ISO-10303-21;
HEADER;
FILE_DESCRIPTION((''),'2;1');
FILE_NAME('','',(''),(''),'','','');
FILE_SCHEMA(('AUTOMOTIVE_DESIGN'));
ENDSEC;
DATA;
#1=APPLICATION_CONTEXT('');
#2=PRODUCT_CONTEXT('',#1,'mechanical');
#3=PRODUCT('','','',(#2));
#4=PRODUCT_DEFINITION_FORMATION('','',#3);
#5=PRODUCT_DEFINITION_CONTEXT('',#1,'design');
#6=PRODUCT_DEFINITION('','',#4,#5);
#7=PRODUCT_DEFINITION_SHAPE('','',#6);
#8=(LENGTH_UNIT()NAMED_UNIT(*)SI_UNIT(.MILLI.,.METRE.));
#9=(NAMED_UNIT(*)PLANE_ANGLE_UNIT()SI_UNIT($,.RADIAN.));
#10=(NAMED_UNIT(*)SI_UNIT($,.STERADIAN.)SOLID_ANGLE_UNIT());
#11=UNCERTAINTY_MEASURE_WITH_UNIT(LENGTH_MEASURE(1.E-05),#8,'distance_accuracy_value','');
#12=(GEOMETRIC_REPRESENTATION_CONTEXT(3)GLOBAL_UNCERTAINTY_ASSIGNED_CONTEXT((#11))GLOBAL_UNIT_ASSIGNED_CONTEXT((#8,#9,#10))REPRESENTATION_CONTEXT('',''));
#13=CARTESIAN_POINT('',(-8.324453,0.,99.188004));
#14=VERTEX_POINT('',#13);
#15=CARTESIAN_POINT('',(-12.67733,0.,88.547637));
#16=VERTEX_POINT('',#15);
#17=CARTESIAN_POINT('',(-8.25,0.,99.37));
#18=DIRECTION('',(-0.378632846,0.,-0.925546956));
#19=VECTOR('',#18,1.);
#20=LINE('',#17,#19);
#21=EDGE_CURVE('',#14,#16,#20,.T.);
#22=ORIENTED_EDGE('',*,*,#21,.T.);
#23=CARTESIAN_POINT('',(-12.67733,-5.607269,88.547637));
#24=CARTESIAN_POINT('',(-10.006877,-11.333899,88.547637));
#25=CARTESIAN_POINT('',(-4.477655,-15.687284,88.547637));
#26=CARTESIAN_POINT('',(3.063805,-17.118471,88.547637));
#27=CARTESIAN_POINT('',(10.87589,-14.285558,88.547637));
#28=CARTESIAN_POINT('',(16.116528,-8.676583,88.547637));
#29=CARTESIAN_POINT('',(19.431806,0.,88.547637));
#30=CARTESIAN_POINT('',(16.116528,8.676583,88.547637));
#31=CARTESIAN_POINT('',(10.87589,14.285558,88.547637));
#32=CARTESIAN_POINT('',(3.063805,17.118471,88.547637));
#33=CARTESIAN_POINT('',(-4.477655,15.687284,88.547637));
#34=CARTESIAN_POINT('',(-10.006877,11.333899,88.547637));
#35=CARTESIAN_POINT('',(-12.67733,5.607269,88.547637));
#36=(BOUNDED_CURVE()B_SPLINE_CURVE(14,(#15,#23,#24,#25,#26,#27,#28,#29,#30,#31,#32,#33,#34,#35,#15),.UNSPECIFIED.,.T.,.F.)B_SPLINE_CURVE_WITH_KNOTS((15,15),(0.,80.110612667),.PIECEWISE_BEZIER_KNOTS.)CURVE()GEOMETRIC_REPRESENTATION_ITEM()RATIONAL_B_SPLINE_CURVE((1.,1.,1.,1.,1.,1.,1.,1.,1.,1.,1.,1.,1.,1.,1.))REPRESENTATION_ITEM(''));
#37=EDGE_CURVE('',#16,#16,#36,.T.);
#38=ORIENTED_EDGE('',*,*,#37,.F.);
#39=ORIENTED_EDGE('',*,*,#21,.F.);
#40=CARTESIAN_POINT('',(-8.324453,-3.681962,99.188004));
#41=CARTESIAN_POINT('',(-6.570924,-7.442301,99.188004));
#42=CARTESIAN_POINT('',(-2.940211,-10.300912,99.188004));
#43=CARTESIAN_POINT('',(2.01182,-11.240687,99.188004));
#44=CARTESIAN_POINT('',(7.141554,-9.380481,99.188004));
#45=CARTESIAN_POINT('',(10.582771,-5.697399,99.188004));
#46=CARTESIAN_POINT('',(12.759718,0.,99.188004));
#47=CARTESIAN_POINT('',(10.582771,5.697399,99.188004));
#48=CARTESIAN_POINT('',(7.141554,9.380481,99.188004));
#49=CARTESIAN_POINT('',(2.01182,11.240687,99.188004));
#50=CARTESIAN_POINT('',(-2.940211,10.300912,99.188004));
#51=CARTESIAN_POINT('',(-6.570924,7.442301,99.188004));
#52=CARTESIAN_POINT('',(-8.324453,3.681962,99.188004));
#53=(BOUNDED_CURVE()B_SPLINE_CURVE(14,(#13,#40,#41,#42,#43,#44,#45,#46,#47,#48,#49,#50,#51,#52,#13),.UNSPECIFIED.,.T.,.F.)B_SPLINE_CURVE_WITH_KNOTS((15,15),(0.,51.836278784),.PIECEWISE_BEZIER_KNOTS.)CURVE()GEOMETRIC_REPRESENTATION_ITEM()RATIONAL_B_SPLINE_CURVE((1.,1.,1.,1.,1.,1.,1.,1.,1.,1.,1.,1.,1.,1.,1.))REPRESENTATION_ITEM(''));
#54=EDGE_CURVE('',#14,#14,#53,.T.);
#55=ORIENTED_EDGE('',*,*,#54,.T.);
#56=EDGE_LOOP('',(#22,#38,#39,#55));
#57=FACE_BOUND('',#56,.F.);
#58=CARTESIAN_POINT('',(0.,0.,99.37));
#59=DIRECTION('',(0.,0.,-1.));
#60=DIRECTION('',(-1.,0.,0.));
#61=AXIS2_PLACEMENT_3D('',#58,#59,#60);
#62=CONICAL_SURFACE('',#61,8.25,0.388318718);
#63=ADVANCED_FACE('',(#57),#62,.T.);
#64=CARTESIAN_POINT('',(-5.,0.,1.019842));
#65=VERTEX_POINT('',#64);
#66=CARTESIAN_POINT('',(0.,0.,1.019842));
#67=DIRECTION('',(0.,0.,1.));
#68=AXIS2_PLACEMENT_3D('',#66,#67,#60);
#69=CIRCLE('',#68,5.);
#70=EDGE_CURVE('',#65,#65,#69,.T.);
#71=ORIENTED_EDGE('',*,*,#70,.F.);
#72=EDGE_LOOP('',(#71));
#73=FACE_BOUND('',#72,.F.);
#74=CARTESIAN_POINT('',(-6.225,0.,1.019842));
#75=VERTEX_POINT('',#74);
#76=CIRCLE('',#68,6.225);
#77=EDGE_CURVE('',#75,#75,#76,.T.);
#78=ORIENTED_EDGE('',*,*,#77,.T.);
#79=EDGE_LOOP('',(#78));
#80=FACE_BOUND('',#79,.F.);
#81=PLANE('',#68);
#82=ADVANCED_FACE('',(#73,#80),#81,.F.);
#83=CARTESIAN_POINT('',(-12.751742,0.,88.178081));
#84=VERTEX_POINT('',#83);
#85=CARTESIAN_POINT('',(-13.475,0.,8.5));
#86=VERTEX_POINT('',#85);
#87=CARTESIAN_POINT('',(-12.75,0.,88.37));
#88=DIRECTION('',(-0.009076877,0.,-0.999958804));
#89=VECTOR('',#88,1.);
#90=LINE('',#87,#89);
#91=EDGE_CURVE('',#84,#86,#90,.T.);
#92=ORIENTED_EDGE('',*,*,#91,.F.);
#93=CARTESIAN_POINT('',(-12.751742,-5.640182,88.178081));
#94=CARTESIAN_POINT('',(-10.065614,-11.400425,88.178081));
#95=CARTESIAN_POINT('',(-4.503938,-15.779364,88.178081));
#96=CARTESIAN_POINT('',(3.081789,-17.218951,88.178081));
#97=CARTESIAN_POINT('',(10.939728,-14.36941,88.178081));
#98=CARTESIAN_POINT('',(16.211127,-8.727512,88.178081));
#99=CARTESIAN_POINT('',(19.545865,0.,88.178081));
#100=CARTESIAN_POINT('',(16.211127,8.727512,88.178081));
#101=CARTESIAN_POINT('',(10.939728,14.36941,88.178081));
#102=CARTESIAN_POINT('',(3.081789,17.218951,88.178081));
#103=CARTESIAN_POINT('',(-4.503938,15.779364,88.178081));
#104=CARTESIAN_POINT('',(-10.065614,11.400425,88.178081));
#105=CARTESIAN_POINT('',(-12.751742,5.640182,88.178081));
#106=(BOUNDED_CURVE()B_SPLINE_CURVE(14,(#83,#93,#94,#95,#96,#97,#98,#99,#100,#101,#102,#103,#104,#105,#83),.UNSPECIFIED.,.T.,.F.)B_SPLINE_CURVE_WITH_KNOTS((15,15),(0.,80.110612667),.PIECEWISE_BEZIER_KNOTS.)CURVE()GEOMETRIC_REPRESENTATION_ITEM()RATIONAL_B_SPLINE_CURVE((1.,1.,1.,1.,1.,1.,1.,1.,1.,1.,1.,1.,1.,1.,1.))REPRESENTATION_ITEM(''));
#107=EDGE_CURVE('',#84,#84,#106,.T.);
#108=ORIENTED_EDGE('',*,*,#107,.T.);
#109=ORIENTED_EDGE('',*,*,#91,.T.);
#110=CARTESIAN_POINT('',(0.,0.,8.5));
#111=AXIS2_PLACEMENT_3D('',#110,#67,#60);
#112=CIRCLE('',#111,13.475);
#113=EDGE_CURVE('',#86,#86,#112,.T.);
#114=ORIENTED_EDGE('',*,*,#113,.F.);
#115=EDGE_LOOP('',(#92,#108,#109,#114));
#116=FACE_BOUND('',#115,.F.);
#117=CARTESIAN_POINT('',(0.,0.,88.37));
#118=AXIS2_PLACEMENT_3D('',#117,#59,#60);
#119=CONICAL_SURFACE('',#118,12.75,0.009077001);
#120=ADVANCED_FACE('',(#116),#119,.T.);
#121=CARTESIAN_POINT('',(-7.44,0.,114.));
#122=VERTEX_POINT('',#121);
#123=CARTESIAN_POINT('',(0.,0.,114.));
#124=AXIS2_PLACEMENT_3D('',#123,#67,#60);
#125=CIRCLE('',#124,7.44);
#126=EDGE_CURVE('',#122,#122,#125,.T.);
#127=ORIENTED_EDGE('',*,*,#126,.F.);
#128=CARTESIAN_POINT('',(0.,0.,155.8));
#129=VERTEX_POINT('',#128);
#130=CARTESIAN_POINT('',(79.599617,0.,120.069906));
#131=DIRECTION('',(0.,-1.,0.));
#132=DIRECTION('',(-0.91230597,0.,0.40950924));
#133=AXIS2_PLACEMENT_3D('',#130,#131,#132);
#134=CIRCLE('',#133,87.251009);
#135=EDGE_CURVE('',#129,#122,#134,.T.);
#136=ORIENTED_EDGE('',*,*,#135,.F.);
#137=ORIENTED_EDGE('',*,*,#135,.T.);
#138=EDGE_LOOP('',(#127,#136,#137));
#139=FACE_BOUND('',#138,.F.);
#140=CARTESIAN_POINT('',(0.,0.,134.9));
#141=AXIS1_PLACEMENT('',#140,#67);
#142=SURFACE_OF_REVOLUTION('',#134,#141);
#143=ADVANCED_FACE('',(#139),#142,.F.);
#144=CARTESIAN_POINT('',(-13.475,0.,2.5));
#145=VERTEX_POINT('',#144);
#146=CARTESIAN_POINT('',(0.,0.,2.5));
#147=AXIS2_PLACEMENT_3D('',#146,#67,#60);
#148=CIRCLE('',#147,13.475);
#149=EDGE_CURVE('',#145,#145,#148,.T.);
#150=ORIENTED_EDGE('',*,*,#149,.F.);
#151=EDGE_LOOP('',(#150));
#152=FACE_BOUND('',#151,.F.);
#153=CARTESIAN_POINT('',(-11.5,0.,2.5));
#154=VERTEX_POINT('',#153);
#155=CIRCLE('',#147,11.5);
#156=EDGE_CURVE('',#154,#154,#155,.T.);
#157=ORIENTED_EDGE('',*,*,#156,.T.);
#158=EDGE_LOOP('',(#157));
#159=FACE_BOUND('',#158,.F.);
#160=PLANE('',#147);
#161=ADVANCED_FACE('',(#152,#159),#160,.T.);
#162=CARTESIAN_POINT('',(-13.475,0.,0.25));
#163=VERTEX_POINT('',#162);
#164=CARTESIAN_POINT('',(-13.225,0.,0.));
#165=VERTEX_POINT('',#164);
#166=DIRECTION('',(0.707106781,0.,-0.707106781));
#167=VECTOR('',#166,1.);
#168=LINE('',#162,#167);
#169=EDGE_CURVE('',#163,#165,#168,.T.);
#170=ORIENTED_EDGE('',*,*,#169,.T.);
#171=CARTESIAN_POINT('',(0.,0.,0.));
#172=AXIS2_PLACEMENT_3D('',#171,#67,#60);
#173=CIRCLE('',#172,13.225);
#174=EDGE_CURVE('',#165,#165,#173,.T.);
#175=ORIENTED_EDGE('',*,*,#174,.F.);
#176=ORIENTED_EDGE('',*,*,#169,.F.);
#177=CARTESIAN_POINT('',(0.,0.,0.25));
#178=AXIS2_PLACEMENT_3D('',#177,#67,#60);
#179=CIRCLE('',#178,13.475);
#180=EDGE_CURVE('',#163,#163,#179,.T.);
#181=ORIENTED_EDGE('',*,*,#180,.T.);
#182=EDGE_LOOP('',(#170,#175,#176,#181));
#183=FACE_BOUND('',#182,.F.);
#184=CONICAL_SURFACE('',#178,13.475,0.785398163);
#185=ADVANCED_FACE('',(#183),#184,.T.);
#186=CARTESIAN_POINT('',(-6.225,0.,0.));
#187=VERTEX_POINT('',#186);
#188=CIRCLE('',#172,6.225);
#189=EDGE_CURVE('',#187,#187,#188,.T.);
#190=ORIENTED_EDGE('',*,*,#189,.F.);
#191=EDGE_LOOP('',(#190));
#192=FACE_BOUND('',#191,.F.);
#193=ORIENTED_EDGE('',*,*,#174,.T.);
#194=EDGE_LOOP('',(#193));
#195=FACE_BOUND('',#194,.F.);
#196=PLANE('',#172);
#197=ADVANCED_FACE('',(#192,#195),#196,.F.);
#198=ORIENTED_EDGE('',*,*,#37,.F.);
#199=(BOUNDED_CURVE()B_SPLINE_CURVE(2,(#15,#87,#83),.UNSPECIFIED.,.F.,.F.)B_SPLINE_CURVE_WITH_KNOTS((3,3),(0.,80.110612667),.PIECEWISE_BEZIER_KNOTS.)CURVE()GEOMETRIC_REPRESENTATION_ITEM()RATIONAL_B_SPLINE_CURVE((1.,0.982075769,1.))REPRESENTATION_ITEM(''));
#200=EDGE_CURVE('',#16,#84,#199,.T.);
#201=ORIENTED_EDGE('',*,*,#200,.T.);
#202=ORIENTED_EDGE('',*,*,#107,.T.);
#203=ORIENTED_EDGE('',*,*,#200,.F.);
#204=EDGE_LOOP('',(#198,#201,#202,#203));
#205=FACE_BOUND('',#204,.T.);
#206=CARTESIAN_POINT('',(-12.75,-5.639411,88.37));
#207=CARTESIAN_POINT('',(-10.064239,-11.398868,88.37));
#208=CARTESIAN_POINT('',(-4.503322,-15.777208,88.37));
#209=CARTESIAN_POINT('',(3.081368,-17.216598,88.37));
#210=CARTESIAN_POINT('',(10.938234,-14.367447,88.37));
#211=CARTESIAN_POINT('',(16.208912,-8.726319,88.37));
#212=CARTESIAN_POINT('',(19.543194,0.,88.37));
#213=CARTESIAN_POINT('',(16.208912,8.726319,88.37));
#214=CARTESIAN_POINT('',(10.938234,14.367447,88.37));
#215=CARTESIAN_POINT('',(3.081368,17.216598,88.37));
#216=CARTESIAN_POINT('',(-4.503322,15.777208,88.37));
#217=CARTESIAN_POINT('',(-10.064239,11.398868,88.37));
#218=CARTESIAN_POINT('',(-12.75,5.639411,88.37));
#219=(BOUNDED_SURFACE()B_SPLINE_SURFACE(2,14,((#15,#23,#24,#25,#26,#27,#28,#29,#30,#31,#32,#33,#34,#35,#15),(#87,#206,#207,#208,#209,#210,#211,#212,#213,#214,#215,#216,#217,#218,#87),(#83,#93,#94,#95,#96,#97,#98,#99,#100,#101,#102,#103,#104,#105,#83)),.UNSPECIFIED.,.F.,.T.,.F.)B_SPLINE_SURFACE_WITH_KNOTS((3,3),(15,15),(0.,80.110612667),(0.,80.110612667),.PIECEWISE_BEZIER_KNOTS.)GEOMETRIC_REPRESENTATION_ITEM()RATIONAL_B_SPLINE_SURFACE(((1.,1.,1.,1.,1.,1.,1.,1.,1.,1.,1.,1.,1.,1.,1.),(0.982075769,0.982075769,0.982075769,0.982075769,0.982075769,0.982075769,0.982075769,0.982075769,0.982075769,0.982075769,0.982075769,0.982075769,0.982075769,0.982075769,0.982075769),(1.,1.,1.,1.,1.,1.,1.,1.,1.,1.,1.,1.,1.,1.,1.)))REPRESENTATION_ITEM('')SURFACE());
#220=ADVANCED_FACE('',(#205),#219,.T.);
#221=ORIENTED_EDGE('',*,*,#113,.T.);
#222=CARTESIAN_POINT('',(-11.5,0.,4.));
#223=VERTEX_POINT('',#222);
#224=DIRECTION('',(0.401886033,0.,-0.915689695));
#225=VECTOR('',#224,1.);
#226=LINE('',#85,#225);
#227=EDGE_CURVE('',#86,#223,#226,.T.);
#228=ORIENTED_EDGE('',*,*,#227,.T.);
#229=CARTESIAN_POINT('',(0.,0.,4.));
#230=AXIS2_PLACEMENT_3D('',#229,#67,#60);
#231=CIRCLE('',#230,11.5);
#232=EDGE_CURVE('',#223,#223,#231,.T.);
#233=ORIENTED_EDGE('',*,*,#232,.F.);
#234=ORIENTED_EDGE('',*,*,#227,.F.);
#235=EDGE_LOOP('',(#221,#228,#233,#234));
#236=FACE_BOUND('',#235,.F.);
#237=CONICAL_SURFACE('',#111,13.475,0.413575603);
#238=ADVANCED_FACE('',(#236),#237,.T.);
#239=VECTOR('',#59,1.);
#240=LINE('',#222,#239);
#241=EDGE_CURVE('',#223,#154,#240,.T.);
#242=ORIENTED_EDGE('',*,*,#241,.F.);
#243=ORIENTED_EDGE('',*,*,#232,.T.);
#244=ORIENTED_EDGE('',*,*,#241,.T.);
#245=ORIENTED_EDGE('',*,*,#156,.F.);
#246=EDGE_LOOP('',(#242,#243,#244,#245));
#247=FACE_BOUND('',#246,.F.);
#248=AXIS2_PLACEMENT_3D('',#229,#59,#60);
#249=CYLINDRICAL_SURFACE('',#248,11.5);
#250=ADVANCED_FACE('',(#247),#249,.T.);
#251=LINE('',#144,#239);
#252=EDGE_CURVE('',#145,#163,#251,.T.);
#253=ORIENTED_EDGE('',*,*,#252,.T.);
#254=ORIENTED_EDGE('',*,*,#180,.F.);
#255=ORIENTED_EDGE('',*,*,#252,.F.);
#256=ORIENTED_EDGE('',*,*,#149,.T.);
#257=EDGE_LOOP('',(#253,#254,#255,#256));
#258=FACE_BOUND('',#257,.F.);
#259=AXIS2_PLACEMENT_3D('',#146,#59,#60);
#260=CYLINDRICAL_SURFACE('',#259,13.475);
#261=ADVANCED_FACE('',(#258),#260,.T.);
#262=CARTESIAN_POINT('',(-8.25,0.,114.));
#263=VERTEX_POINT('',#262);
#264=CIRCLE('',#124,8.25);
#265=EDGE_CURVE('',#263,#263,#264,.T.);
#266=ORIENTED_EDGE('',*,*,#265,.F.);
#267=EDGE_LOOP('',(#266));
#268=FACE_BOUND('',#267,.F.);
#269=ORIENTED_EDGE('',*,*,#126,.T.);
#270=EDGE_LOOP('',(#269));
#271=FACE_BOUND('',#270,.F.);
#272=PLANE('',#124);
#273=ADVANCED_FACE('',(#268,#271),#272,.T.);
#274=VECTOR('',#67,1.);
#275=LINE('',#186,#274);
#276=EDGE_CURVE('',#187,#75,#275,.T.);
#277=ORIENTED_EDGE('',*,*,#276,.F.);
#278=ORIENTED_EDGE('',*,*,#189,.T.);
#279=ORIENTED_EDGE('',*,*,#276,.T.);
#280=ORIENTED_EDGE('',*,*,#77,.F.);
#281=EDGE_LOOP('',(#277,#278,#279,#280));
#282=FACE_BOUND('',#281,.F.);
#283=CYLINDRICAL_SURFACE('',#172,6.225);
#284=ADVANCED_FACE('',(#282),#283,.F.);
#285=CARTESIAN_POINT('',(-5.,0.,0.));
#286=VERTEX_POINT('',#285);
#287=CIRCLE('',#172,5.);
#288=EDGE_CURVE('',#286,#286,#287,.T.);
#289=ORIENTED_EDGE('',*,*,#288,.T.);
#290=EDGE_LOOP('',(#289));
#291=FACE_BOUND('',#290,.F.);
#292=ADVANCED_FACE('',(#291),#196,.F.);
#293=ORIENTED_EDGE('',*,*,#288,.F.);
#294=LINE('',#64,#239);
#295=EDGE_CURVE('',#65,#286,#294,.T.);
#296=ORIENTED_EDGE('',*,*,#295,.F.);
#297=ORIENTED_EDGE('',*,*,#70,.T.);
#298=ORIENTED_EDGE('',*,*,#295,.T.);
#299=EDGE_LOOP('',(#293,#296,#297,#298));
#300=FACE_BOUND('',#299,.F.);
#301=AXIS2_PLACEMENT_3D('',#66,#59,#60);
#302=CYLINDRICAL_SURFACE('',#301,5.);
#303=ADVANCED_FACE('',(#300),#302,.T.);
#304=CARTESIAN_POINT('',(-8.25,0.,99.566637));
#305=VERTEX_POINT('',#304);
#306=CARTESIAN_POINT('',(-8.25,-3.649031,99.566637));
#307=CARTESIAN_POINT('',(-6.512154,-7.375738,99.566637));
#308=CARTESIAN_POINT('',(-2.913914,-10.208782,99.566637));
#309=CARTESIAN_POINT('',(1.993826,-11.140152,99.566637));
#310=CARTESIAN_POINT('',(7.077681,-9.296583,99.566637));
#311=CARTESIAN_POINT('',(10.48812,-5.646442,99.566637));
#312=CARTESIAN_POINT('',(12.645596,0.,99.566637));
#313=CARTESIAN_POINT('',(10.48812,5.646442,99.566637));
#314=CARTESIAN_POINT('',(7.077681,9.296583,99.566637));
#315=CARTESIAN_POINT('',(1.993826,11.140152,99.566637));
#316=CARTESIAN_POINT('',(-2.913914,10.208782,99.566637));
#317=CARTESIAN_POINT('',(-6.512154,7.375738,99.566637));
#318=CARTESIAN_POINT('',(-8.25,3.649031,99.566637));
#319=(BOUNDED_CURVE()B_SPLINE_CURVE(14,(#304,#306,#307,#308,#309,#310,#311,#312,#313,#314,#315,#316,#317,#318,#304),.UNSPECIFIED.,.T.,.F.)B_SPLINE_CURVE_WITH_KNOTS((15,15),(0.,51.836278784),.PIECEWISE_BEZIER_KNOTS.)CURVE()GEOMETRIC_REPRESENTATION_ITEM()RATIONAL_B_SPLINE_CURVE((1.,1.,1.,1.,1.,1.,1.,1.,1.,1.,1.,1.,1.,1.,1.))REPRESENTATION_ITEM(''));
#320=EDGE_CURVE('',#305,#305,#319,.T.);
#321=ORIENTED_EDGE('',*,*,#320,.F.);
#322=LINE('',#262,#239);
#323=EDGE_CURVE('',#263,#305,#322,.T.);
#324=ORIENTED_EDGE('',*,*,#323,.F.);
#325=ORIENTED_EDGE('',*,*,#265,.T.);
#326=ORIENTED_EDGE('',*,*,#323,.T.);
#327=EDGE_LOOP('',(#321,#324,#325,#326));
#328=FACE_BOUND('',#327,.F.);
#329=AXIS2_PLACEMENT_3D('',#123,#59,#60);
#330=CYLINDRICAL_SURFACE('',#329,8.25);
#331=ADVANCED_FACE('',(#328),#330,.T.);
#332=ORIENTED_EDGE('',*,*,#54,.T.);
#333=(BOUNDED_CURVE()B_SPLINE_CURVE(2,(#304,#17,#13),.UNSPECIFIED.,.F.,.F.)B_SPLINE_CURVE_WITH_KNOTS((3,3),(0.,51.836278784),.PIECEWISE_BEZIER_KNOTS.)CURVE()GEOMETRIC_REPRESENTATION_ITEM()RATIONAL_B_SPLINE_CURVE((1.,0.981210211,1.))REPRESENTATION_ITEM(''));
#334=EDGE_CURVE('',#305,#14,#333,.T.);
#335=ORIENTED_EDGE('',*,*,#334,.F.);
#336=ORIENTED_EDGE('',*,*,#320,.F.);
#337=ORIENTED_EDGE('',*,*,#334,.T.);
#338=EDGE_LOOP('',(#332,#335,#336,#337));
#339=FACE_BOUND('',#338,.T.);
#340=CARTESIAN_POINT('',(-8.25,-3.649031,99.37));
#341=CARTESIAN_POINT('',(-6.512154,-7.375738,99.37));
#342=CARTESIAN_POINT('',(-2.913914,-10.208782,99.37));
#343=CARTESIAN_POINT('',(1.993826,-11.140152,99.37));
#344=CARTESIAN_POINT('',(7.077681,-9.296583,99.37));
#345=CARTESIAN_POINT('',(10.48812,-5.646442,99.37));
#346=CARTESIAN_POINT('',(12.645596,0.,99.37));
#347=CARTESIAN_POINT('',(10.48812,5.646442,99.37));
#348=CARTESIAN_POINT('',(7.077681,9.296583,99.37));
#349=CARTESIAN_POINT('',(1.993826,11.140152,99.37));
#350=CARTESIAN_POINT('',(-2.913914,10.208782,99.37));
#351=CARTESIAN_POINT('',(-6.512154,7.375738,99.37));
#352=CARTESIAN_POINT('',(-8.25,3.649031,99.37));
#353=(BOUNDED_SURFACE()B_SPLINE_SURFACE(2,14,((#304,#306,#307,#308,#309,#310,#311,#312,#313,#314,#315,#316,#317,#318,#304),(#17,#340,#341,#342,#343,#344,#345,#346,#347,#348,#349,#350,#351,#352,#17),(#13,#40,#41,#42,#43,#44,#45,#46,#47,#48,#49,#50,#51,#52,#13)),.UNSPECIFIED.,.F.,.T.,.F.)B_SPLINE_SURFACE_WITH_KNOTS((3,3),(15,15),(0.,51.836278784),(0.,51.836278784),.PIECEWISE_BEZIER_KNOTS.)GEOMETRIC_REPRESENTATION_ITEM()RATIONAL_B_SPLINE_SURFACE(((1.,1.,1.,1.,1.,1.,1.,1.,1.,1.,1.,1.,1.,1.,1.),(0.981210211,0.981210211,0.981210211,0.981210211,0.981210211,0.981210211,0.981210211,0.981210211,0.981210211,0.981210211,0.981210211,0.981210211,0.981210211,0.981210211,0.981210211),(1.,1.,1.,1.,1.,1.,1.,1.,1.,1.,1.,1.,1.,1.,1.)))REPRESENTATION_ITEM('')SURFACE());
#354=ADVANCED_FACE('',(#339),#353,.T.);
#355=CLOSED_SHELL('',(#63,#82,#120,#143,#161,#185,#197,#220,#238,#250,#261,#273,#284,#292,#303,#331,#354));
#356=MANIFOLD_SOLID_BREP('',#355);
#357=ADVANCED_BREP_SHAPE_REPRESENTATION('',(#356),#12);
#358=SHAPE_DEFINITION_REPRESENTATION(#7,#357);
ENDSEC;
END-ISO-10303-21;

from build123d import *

# Parameters (mm, degrees)
F2_R = 1


with BuildPart() as f1:
    # F0 (on Front) → F1 (revolve)
    with BuildSketch(Plane.XZ):
        with BuildLine():
            Line((-13.475, 0.25), (-13.225, 0))
            Line((-13.225, 0), (-6.225, 0))
            Line((-6.225, 0), (-6.225, 1.019842))
            Line((-6.225, 1.019842), (-5, 1.019842))
            Line((-5, 1.019842), (-5, 0))
            Line((-5, 0), (0, 0))
            Line((0, 0), (0, 103.224479))
            Line((0, 103.224479), (0, 114))
            Line((0, 114), (0, 155.8))
            ThreePointArc((0, 155.8), (-6.301306, 135.359448), (-7.44, 114))
            Line((-7.44, 114), (-8.25, 114))
            Line((-8.25, 114), (-8.25, 99.37))
            Line((-8.25, 99.37), (-12.75, 88.37))
            Line((-12.75, 88.37), (-13.475, 8.5))
            Line((-13.475, 8.5), (-11.5, 4))
            Line((-11.5, 4), (-11.5, 2.5))
            Line((-11.5, 2.5), (-13.475, 2.5))
            Line((-13.475, 2.5), (-13.475, 0.25))
        make_face()
    revolve(axis=Axis((0, 0, 134.9), (0, 0, 1)))

    # F2
    f2_edges = [f1.edges().sort_by_distance(p)[0] for p in [
        (8.25, 0, 99.37),
        (12.75, 0, 88.37),
    ]]
    fillet(f2_edges, radius=F2_R)


solid = f1.part
